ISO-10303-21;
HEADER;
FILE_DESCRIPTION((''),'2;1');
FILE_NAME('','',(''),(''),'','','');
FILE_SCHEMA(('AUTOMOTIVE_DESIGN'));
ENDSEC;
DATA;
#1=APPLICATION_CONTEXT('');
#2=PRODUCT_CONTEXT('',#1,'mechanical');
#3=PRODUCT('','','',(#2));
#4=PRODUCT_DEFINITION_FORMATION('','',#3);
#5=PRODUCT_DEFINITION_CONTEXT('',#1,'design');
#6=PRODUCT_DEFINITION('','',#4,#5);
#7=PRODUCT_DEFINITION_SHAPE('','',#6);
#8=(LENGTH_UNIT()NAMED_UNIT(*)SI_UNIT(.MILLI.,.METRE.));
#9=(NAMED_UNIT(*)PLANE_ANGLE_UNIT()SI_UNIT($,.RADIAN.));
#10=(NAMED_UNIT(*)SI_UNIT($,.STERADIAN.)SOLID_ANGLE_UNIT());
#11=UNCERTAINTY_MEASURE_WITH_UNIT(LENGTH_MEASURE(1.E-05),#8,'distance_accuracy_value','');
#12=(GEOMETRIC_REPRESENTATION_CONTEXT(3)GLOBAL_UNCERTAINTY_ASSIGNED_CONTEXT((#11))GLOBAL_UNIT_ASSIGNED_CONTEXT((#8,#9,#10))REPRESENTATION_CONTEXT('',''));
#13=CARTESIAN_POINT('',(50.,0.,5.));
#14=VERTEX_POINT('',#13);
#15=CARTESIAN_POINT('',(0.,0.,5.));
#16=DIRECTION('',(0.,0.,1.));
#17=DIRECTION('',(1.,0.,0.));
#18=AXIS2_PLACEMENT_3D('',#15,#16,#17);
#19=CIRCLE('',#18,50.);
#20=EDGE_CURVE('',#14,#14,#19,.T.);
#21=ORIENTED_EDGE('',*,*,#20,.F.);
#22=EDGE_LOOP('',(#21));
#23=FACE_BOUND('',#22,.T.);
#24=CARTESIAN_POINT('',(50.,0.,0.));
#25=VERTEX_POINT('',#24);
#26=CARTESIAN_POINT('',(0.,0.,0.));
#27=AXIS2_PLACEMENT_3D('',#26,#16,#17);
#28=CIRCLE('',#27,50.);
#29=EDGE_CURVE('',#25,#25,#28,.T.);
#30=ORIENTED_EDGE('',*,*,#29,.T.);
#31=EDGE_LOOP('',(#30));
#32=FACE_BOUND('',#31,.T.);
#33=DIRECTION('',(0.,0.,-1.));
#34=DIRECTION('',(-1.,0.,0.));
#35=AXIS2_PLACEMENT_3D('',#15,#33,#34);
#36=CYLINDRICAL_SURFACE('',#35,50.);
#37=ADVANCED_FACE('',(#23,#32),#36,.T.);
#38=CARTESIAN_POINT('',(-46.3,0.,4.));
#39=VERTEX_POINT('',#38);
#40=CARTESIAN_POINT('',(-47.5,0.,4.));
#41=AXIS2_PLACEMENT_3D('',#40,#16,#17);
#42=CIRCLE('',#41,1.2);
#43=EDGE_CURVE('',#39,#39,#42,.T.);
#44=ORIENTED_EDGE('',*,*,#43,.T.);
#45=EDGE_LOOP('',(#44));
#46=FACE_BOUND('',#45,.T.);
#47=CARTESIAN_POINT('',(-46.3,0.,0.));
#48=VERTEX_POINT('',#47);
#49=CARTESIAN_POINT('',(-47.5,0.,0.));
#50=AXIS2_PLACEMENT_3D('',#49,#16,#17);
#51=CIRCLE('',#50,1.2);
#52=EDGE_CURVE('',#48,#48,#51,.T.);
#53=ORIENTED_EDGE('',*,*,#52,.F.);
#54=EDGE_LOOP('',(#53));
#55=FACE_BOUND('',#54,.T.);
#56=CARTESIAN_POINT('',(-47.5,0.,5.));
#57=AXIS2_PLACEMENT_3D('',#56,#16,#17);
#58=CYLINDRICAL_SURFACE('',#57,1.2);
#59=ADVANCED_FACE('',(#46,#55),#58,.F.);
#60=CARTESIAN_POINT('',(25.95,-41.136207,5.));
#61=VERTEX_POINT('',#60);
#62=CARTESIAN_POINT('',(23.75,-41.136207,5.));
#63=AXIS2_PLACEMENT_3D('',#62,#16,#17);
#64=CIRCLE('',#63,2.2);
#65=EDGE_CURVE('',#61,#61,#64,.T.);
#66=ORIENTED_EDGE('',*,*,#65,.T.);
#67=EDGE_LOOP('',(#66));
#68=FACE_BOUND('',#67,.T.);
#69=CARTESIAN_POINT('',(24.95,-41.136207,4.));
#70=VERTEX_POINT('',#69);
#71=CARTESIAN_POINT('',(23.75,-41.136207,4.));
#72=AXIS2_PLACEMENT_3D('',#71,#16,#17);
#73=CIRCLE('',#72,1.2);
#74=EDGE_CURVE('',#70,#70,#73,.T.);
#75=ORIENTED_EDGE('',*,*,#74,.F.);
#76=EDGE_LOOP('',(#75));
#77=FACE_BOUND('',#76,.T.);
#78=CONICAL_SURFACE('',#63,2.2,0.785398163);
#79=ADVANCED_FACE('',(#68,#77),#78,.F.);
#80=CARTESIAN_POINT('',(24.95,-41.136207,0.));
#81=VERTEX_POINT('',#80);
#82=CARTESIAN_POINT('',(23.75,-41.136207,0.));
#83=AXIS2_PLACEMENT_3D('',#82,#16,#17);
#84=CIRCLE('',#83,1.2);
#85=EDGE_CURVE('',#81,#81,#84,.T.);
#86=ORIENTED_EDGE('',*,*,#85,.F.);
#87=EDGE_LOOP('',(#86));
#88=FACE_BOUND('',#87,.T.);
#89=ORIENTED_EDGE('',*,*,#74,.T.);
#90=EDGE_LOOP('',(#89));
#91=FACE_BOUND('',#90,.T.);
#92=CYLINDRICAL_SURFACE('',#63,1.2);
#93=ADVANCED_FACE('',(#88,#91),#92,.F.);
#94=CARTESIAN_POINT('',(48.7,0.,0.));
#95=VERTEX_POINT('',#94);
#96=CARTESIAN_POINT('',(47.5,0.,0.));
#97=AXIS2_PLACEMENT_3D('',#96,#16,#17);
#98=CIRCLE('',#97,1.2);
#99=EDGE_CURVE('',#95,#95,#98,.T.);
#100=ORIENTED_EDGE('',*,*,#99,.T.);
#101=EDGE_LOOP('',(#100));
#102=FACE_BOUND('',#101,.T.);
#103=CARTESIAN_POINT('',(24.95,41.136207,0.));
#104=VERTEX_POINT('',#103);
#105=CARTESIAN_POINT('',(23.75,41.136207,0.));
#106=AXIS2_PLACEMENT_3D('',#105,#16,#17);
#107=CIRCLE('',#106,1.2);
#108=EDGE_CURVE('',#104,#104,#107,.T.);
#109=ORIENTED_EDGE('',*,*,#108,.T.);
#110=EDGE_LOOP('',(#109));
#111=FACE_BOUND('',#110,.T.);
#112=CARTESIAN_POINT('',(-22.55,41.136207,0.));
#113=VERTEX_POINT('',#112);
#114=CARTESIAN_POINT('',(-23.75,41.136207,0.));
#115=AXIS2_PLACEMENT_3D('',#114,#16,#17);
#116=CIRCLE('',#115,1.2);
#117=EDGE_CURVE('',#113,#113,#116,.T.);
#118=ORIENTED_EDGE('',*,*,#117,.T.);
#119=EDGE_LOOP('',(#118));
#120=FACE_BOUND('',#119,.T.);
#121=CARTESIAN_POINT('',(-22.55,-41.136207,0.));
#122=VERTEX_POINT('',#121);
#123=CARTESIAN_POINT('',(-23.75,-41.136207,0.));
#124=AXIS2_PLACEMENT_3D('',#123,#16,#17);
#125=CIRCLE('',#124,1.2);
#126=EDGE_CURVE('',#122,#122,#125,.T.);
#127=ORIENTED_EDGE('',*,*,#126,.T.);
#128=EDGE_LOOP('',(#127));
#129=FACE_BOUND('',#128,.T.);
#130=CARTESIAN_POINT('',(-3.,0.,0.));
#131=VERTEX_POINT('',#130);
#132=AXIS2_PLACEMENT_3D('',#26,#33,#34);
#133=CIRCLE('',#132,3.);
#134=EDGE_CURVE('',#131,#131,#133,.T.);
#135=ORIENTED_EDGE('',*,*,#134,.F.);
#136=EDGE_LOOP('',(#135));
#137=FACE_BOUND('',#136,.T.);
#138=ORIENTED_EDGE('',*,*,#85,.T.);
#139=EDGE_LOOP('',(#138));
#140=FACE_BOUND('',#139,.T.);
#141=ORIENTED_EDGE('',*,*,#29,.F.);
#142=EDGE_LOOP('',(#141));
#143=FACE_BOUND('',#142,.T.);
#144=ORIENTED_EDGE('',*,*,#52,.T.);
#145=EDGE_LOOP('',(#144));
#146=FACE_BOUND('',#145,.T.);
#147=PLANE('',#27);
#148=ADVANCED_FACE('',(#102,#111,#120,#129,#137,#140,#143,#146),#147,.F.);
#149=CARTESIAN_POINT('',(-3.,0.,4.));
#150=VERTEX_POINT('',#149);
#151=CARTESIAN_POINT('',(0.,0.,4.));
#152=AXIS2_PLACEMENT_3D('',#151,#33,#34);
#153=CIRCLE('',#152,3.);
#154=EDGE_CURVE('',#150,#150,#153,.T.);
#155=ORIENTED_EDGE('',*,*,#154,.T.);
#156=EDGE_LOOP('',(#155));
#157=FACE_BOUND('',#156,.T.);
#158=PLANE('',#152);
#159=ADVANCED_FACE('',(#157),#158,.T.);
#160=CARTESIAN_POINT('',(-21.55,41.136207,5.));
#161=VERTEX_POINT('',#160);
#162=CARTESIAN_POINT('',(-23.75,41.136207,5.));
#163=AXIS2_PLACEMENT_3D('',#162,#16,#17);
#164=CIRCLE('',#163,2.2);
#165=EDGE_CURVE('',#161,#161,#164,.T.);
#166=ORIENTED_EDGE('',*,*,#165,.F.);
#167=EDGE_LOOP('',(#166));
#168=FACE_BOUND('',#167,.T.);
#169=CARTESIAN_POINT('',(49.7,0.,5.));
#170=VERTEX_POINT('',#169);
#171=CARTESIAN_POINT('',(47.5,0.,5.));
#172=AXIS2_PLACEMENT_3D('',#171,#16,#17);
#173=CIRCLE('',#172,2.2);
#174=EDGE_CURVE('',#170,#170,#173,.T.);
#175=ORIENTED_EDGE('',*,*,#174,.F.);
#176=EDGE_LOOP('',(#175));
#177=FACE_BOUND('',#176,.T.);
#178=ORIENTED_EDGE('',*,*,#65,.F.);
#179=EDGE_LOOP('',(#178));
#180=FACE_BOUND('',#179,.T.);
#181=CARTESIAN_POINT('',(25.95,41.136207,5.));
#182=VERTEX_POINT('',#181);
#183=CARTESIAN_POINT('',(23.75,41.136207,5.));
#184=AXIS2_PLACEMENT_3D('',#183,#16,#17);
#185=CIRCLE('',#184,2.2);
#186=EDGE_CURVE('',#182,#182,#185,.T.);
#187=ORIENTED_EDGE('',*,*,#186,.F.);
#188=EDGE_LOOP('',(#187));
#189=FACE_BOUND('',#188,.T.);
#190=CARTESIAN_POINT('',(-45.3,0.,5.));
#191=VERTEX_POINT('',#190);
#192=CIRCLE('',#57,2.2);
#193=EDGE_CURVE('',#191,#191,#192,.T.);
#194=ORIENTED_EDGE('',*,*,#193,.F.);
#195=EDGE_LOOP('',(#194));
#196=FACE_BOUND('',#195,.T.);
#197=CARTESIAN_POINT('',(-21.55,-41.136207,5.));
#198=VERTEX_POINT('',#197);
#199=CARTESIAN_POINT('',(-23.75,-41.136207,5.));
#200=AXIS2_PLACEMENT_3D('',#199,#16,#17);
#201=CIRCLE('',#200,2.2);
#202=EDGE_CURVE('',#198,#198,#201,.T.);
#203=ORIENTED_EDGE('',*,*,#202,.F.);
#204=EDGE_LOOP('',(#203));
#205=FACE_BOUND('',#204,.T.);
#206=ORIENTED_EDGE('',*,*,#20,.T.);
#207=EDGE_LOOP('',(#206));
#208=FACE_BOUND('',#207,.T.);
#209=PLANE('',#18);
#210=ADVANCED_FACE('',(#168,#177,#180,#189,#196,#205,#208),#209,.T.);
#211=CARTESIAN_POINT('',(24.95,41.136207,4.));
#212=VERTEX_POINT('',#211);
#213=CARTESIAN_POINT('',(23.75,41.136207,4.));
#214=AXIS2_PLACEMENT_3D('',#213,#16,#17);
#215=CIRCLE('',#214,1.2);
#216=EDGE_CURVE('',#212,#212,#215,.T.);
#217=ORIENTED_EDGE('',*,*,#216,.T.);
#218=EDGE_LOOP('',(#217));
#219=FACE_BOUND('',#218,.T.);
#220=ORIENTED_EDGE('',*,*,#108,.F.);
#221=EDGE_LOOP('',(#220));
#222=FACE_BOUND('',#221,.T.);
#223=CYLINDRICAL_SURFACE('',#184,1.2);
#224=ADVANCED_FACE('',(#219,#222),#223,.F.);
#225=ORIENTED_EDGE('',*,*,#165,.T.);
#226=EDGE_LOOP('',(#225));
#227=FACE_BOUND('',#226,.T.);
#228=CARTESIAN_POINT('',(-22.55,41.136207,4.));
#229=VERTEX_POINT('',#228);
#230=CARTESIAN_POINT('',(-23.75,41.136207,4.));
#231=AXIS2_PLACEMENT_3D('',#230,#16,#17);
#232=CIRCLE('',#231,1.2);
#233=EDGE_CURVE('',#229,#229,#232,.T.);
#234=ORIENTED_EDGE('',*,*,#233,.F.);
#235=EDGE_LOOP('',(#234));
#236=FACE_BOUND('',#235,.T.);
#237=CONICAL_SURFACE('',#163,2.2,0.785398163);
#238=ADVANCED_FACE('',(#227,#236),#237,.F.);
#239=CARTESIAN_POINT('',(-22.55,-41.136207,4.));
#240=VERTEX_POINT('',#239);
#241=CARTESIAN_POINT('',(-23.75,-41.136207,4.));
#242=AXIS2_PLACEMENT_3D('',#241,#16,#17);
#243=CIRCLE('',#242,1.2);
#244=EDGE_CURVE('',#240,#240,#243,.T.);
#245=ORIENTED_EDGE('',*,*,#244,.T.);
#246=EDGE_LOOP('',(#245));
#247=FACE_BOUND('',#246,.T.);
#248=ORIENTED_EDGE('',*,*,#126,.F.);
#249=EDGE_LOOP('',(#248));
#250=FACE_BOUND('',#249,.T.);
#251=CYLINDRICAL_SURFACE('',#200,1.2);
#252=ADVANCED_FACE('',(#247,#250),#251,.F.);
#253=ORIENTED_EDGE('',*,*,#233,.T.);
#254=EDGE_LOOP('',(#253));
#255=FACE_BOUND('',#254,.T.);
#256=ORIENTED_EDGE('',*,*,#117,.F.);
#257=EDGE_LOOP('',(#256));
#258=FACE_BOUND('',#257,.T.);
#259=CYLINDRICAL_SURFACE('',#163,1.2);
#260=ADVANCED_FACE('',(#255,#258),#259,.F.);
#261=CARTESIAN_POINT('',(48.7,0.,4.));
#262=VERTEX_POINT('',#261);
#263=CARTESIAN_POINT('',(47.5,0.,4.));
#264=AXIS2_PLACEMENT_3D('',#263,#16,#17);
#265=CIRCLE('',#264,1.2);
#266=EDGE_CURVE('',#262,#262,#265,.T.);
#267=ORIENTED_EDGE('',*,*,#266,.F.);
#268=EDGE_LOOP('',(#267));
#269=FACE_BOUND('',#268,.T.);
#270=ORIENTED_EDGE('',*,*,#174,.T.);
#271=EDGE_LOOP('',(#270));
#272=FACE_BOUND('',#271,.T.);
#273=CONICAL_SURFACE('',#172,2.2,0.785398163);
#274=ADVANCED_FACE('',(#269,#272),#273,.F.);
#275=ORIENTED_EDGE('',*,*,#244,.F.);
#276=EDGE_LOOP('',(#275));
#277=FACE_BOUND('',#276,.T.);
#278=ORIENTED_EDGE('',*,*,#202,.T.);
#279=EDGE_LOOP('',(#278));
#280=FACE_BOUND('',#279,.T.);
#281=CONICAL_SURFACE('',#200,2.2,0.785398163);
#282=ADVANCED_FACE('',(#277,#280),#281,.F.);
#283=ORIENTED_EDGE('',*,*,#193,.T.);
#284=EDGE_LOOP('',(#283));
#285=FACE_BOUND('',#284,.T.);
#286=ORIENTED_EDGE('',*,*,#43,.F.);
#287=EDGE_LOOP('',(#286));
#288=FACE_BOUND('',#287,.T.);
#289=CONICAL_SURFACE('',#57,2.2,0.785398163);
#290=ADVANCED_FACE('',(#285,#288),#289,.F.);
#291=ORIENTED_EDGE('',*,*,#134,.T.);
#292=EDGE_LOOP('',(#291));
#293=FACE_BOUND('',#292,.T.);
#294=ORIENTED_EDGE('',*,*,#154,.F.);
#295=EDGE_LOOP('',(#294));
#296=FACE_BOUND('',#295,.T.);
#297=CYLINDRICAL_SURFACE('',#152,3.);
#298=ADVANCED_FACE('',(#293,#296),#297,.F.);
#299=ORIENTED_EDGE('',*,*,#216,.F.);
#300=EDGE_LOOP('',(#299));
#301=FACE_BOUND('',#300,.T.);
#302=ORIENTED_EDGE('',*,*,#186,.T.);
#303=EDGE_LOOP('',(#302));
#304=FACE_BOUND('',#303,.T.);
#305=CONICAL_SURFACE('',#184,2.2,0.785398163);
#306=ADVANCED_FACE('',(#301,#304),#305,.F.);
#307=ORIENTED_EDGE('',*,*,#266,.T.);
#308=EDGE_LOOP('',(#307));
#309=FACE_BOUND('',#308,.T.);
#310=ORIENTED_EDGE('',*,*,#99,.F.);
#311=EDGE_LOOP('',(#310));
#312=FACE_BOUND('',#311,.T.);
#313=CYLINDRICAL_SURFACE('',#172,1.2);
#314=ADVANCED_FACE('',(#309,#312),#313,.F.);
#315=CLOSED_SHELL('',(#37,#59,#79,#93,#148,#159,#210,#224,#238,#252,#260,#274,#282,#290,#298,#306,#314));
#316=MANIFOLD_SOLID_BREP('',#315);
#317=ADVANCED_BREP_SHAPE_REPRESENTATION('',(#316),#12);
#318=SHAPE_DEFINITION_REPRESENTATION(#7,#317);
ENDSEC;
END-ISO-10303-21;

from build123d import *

# Parameters (mm, degrees)
SKETCH1_R                                       = 50
BOSS_EXTRUDE1_DEPTH                             = 5
SKETCH3_R                                       = 3
CUT_EXTRUDE2_DEPTH                              = 4
CSK_FOR_M2_FLAT_HEAD_MACHINE_SCREW1_D           = 2.4
CSK_FOR_M2_FLAT_HEAD_MACHINE_SCREW1_CSINK_D     = 4.4
CSK_FOR_M2_FLAT_HEAD_MACHINE_SCREW1_CSINK_ANGLE = 90
CIRPATTERN1_COUNT                               = 6


with BuildPart() as part:
    # Sketch1 → Boss-Extrude1 (new body)
    with BuildSketch(Plane.XY):
        Circle(SKETCH1_R)
    extrude(amount=BOSS_EXTRUDE1_DEPTH)

    # Sketch3 → Cut-Extrude2 (cut)
    with BuildSketch(Plane(origin=(0, 0, 0), x_dir=(-1, 0, 0), z_dir=(0, 0, -1))):
        Circle(SKETCH3_R)
    extrude(amount=-CUT_EXTRUDE2_DEPTH, mode=Mode.SUBTRACT)

    # CSK for M2 Flat Head Machine Screw1 (through all)
    with Locations(Plane(origin=(-47.5, 0, 5), x_dir=(1, 0, 0), z_dir=(0, 0, 1))):
        with Locations((0, 0)):
            csk_for_m2_flat_head_machine_screw1 = CounterSinkHole(CSK_FOR_M2_FLAT_HEAD_MACHINE_SCREW1_D / 2, CSK_FOR_M2_FLAT_HEAD_MACHINE_SCREW1_CSINK_D / 2, counter_sink_angle=CSK_FOR_M2_FLAT_HEAD_MACHINE_SCREW1_CSINK_ANGLE)

    # CirPattern1: CSK for M2 Flat Head Machine Screw1 ×6 about axis
    cirpattern1_axis = Axis((0, 0, 0), (0, 0, 1))
    for i in range(1, CIRPATTERN1_COUNT):
        add(csk_for_m2_flat_head_machine_screw1.rotate(cirpattern1_axis, i * 360 / CIRPATTERN1_COUNT), mode=Mode.SUBTRACT)


solid = part.part
